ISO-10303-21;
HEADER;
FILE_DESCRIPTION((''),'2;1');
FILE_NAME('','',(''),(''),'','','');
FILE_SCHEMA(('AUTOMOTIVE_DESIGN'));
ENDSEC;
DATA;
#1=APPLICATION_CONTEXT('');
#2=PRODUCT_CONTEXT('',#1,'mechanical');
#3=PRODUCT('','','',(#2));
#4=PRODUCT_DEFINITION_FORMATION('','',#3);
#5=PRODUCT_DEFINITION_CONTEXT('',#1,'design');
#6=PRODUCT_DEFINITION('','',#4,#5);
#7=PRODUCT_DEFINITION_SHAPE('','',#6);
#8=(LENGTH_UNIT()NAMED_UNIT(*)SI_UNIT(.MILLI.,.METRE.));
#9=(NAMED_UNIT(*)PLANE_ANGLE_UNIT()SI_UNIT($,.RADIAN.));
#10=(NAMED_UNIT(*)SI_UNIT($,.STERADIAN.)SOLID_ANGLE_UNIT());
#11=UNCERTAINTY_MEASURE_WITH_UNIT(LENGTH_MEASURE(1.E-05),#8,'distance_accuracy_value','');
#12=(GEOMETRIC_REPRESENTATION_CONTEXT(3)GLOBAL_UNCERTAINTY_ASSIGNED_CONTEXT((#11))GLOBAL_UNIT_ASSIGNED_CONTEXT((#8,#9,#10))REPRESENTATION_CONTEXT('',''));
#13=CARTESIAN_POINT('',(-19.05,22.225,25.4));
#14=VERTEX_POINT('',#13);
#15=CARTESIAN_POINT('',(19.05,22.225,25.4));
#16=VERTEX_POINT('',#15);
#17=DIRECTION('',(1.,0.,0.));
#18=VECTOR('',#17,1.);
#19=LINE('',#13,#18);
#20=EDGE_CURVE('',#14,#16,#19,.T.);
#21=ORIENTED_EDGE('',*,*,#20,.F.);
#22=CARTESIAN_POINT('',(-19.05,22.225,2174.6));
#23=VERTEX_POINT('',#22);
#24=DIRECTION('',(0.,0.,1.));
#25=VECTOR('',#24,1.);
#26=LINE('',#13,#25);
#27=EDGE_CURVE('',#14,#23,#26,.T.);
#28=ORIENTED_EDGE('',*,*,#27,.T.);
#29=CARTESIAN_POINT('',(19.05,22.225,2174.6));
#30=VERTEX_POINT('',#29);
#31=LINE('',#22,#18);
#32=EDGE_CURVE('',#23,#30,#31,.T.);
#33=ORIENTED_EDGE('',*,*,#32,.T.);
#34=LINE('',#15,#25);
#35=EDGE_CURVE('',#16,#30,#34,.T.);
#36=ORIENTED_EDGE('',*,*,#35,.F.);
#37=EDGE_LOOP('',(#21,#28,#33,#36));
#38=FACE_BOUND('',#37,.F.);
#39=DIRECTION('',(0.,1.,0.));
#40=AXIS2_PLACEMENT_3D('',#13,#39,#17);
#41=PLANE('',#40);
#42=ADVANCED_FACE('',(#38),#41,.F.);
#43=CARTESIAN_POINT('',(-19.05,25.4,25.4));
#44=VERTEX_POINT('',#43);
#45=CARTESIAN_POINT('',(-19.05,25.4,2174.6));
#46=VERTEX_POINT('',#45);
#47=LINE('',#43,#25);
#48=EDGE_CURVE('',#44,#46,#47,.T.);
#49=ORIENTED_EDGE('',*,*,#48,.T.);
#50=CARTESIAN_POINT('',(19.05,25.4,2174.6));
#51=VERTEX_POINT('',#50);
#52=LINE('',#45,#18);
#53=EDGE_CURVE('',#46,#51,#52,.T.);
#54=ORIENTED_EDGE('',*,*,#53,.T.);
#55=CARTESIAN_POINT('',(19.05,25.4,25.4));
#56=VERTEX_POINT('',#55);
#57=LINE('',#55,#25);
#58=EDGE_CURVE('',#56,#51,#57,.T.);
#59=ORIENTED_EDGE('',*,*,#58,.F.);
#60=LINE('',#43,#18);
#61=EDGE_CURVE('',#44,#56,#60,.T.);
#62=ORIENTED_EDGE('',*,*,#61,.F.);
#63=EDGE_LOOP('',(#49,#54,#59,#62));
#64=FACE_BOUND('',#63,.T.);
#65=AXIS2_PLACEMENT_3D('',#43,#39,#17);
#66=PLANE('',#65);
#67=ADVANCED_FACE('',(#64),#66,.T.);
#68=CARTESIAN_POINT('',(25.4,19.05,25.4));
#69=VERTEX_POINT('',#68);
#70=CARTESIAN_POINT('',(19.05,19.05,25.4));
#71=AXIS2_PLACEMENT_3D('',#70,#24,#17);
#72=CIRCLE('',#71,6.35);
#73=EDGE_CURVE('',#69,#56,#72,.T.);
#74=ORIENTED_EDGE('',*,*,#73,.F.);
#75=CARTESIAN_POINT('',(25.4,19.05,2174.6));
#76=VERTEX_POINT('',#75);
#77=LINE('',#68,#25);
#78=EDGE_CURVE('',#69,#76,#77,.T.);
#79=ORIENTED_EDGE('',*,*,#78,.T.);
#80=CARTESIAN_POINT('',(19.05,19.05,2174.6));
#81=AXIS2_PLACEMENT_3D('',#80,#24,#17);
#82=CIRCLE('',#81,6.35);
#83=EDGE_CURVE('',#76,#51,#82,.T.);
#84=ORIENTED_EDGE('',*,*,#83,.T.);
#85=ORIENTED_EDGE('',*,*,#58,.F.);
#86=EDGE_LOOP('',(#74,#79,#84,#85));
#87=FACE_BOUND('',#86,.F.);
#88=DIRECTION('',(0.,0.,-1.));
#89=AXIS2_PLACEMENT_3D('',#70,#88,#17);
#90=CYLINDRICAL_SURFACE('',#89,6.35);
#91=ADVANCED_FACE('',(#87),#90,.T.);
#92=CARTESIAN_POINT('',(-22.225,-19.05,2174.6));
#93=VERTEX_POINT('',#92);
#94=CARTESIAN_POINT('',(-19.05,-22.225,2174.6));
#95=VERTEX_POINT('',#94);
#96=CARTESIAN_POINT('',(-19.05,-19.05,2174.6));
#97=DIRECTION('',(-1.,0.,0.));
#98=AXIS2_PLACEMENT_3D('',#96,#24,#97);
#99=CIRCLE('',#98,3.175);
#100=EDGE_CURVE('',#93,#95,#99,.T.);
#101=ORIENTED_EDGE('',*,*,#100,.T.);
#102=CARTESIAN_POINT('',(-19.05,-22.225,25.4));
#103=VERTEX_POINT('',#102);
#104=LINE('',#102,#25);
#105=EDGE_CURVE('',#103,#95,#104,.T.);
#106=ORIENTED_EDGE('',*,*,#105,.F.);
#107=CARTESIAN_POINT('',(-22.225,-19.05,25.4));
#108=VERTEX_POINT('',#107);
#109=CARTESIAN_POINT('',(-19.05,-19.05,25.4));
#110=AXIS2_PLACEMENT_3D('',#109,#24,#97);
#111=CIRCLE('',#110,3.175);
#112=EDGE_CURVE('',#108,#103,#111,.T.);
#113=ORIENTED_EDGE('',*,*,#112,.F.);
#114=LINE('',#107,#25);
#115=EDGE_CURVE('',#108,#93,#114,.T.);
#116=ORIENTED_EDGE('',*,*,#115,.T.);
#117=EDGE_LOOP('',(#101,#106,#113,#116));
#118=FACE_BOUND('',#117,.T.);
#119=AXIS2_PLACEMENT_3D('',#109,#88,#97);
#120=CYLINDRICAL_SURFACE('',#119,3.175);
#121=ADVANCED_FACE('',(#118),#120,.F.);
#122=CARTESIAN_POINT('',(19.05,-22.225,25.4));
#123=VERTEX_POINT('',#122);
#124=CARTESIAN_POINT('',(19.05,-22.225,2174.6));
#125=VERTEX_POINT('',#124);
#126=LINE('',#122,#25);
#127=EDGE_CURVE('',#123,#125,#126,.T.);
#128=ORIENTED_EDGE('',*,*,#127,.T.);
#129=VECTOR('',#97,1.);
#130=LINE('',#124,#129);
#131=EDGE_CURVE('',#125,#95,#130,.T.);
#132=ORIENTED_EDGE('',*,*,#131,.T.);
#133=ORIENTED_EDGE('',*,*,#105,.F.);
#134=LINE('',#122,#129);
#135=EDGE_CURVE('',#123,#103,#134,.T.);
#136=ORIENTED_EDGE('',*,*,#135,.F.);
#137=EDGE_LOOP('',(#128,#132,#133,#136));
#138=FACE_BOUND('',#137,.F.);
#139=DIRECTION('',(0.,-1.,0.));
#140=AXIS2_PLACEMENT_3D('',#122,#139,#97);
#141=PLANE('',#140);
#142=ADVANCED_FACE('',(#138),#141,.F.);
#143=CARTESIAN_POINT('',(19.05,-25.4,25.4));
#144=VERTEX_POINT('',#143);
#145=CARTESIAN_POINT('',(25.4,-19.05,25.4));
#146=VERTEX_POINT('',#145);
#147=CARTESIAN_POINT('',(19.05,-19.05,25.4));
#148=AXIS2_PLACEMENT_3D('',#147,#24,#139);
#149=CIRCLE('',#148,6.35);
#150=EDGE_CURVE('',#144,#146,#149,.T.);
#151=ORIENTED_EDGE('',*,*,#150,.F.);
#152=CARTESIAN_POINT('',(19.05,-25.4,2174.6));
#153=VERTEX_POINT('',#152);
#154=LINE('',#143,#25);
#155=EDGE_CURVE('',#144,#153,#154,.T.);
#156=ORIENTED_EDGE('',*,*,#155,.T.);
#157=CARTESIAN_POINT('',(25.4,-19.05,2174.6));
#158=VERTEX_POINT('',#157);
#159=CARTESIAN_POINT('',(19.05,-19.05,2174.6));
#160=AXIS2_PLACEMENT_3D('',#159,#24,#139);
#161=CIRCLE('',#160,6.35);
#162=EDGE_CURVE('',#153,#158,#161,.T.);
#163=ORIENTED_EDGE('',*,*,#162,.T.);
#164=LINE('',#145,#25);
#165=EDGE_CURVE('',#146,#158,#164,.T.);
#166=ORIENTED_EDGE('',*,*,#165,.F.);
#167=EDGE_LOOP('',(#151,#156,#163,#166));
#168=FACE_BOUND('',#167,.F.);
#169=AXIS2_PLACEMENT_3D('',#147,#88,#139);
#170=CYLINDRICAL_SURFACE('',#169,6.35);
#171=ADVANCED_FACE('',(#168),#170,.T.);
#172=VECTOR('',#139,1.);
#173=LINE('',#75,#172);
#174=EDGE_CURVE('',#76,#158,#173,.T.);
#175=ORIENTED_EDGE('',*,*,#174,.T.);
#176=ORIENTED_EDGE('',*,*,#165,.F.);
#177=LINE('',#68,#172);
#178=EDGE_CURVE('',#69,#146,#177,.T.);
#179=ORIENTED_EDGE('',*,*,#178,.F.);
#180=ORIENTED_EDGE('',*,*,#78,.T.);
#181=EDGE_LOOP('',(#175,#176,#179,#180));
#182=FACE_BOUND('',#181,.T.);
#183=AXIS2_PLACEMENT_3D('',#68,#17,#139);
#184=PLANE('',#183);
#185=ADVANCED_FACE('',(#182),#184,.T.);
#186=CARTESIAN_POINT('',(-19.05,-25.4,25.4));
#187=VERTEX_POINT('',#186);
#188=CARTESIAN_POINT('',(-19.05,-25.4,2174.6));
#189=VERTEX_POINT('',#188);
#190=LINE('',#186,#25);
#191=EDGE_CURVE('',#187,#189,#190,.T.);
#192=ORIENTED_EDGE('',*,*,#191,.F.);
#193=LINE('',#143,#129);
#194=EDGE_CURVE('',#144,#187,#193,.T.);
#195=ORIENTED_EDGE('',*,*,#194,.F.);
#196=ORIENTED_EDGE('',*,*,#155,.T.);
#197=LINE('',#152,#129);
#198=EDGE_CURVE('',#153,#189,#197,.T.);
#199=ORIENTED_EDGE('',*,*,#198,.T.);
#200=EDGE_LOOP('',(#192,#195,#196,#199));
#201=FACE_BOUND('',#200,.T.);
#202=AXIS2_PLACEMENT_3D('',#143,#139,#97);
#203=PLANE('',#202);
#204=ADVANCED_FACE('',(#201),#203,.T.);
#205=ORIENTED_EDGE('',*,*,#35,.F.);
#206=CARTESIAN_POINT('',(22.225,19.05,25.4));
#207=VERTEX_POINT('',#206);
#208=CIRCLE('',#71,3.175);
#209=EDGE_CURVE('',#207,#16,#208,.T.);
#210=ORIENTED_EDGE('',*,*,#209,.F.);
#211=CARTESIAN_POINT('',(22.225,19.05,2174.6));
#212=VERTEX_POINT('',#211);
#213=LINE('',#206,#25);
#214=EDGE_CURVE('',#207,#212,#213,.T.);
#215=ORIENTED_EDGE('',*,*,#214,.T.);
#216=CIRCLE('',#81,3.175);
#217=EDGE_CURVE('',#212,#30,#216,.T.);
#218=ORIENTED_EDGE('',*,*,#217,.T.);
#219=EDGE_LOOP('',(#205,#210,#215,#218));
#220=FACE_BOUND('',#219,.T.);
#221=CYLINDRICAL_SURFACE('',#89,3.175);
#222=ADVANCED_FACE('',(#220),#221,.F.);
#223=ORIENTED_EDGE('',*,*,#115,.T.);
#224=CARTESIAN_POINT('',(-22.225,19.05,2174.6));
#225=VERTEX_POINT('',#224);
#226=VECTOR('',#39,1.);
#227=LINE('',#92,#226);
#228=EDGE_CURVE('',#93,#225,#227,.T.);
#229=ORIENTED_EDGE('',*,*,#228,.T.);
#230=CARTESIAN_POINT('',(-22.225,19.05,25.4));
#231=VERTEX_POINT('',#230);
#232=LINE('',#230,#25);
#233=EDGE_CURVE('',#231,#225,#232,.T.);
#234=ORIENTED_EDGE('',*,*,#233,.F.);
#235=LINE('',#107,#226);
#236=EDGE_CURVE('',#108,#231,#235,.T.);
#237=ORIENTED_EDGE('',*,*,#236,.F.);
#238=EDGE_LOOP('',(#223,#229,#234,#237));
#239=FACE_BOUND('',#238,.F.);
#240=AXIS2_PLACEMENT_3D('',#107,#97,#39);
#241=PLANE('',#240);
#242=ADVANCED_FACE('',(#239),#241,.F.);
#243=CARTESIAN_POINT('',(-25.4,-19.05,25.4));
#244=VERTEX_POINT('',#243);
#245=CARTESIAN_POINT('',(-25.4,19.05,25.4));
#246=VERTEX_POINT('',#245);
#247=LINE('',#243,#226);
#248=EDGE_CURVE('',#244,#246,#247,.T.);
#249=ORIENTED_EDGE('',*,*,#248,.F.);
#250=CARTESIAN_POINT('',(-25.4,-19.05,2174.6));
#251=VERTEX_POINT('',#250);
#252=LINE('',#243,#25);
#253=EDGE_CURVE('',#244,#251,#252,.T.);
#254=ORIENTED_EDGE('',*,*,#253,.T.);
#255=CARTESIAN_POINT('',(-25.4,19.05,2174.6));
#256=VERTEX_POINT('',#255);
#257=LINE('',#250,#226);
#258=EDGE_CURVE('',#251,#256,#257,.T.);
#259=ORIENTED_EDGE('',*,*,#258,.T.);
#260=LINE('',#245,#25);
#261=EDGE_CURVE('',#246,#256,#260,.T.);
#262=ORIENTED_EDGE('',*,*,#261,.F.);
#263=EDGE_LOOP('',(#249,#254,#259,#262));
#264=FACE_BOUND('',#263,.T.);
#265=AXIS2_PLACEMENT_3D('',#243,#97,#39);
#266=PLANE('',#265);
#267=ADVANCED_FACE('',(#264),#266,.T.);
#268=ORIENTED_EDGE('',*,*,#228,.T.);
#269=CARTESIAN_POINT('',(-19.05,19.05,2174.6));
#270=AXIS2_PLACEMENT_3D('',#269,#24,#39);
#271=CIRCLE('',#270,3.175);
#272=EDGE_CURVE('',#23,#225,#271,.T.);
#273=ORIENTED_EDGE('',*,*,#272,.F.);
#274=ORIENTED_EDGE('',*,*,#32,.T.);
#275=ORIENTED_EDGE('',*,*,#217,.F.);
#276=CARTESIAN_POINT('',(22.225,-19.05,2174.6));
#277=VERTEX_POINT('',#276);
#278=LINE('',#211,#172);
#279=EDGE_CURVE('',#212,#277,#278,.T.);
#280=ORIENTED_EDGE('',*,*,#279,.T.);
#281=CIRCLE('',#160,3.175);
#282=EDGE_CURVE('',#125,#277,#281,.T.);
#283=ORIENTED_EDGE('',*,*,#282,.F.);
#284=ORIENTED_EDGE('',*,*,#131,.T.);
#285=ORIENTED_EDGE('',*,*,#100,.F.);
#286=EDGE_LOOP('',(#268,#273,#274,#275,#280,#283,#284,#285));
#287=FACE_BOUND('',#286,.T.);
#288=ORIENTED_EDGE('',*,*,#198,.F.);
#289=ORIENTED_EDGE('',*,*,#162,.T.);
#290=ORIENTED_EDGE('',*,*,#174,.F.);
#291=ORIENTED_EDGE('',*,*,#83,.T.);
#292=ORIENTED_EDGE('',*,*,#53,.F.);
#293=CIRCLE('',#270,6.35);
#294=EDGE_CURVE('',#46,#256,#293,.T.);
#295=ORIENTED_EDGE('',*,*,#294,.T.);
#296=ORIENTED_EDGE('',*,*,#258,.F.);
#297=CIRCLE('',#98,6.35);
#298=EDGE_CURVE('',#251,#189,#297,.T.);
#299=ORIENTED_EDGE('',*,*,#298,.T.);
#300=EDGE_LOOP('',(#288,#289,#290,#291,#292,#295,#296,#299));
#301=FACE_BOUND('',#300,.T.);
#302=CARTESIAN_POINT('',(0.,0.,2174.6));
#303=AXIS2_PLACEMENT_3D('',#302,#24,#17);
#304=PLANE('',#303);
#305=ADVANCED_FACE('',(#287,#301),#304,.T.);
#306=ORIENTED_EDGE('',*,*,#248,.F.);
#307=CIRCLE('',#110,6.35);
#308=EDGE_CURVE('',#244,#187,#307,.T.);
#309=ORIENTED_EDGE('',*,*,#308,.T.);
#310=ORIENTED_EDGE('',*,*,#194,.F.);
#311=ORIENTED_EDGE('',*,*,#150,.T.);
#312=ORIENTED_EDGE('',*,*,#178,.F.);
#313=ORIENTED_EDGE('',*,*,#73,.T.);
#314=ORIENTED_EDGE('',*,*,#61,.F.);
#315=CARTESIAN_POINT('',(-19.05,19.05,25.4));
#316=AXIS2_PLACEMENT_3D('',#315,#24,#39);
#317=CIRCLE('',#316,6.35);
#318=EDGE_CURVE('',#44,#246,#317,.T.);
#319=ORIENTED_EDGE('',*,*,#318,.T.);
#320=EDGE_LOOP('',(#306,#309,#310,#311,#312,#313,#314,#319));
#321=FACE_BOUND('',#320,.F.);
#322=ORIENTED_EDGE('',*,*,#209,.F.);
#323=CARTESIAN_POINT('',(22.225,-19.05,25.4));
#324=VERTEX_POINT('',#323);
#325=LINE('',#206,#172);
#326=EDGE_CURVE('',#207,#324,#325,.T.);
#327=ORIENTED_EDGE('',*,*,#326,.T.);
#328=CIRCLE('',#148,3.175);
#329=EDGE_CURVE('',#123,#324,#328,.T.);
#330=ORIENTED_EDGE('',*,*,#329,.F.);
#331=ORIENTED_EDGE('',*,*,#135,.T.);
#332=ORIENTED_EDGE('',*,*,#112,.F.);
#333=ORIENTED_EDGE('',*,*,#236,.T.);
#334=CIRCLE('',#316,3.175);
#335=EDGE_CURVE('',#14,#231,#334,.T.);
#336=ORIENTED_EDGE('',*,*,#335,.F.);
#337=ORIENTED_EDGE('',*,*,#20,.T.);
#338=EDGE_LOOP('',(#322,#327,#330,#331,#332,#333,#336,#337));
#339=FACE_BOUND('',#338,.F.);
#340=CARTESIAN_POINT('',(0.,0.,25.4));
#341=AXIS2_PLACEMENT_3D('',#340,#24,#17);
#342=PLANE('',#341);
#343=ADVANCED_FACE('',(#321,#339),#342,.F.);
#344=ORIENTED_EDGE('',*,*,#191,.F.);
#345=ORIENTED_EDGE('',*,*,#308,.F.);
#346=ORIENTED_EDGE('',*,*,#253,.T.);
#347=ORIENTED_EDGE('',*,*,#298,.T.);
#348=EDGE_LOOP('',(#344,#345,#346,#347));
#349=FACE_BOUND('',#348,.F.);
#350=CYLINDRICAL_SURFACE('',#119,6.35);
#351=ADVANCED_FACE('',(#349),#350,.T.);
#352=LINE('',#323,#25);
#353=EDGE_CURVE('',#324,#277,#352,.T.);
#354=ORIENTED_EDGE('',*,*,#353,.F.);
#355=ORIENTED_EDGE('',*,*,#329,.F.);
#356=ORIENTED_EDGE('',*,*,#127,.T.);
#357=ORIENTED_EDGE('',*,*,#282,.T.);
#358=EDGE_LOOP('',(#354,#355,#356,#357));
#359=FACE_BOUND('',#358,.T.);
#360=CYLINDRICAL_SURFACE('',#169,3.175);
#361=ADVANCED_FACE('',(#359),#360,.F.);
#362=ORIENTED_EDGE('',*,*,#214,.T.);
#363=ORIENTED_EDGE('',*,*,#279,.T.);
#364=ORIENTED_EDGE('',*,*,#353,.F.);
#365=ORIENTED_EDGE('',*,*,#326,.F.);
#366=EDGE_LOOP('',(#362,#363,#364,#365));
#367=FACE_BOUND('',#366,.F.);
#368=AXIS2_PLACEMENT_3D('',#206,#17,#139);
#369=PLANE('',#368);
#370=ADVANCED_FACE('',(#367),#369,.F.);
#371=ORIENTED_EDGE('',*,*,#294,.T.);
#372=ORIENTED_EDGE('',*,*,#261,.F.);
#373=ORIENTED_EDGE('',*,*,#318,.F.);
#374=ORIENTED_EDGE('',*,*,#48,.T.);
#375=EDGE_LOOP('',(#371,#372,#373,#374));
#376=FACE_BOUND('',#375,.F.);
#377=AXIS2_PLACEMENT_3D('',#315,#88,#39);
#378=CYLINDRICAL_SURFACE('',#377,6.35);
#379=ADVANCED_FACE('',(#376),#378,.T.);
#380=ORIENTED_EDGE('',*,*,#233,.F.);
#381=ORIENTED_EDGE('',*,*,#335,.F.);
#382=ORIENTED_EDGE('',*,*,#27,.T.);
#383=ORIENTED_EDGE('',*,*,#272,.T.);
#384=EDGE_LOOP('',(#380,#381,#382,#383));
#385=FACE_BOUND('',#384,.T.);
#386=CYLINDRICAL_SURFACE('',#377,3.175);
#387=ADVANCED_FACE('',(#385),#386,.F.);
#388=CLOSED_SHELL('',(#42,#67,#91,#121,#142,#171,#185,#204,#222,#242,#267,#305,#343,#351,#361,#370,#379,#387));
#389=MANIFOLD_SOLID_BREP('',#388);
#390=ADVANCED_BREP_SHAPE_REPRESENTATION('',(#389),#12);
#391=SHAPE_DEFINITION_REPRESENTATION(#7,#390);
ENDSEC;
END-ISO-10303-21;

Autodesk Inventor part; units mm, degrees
ref_plane "Plano inicial" through (0, 0, 25.4) normal (0, 0, 1) x (1, 0, 0)
ref_plane "Plano final" through (0, 0, 2174.6) normal (0, 0, 1) x (1, 0, 0)
sketch "Boceto" plane through (0, 0, 0) normal (0, 0, 1) x (1, 0, 0)
  line L0 (-25.4, -19.05) -> (-25.4, 19.05)
  line L1 (-19.05, 25.4) -> (19.05, 25.4)
  line L2 (25.4, 19.05) -> (25.4, -19.05)
  line L3 (19.05, -25.4) -> (-19.05, -25.4)
  arc A0 (-25.4, -19.05) -> (-19.05, -25.4) centre (-19.05, -19.05) ccw
  arc A1 (-19.05, 25.4) -> (-25.4, 19.05) centre (-19.05, 19.05) ccw
  arc A2 (25.4, 19.05) -> (19.05, 25.4) centre (19.05, 19.05) ccw
  arc A3 (19.05, -25.4) -> (25.4, -19.05) centre (19.05, -19.05) ccw
  arc A4 (-19.05, 22.225) -> (-22.225, 19.05) centre (-19.05, 19.05) ccw
  line L4 (-19.05, 22.225) -> (19.05, 22.225)
  arc A5 (22.225, 19.05) -> (19.05, 22.225) centre (19.05, 19.05) ccw
  line L5 (22.225, 19.05) -> (22.225, -19.05)
  arc A6 (19.05, -22.225) -> (22.225, -19.05) centre (19.05, -19.05) ccw
  line L6 (19.05, -22.225) -> (-19.05, -22.225)
  arc A7 (-22.225, -19.05) -> (-19.05, -22.225) centre (-19.05, -19.05) ccw
  line L7 (-22.225, -19.05) -> (-22.225, 19.05)
  line L8 (0, 37.4012) -> (0, -37.4012) construction
  line L9 (-37.4012, 0) -> (37.4012, 0) construction
  dimension "d10" = 50.8
  dimension "d11" = 50.8
  dimension "d12" = 3.175
  dimension "d15" = 25.4
  dimension "d16" = 25.4
  dimension "d17" = 6.35
extrude "Cuerpo" add sketch "Boceto" along normal up to surface (2149.2 mm away) from surface at 25.4
sketch "Sketch3" plane through (0, 0, 0) normal (0, 0, 1) x (1, 0, 0)
  line L0 (0, 0) -> (10, 0)
ref_plane "Work Plane3" through (0, 0, 0) normal (0, -1, 0) x (1, 0, 0)
ref_plane "Plano de trabajo4" through (580.95, -2890, 2174.6) normal (0, 0, 1) x (1, 0, 0)
split "Dividir1" plane through (580.95, -2890, 2174.6) removes the side toward (0, 0, 1)
ref_plane "Plano de trabajo5" through (600, -2870.95, 25.4) normal (0, 0, -1) x (-1, 0, 0)
split "Dividir2" plane through (600, -2870.95, 25.4) removes the side toward (0, 0, -1)
sketch "Sketch4" plane through (0, 0, 0) normal (0, -1, 0) x (1, 0, 0)
  line L0 (-2, 25.4) -> (12, 25.4) projected
  line L1 (-2, 2174.6) -> (12, 2174.6) projected
  dimension "d19" = 2149.2
equation "\"d10\" = G_H"
equation "\"d11\" = G_W"
equation "\"d12\" = G_T"
equation "\"d15\" = 0.5 * d10"
equation "\"d16\" = 0.5 * d11"
equation "\"d17\" = G_IR"
equation "\"d3\" = G_L"
equation "\"G_W\" = 50.8"
equation "\"G_H\" = 50.8"
equation "\"G_T\" = 3.175"
equation "\"G_IR\" = 6.35"
equation "\"G_L\" = d19"
equation "\"G_OFFSET_START\" = -25.4"
equation "\"G_OFFSET_END\" = -25.4"
equation "\"d13\" = -G_OFFSET_START"
equation "\"d14\" = G_OFFSET_END + B_L"
equation "\"B_L\" = 2200"
properties part number "AISC - 2 x 2 x 1/8 - 84,614" material "Acero, suave"
